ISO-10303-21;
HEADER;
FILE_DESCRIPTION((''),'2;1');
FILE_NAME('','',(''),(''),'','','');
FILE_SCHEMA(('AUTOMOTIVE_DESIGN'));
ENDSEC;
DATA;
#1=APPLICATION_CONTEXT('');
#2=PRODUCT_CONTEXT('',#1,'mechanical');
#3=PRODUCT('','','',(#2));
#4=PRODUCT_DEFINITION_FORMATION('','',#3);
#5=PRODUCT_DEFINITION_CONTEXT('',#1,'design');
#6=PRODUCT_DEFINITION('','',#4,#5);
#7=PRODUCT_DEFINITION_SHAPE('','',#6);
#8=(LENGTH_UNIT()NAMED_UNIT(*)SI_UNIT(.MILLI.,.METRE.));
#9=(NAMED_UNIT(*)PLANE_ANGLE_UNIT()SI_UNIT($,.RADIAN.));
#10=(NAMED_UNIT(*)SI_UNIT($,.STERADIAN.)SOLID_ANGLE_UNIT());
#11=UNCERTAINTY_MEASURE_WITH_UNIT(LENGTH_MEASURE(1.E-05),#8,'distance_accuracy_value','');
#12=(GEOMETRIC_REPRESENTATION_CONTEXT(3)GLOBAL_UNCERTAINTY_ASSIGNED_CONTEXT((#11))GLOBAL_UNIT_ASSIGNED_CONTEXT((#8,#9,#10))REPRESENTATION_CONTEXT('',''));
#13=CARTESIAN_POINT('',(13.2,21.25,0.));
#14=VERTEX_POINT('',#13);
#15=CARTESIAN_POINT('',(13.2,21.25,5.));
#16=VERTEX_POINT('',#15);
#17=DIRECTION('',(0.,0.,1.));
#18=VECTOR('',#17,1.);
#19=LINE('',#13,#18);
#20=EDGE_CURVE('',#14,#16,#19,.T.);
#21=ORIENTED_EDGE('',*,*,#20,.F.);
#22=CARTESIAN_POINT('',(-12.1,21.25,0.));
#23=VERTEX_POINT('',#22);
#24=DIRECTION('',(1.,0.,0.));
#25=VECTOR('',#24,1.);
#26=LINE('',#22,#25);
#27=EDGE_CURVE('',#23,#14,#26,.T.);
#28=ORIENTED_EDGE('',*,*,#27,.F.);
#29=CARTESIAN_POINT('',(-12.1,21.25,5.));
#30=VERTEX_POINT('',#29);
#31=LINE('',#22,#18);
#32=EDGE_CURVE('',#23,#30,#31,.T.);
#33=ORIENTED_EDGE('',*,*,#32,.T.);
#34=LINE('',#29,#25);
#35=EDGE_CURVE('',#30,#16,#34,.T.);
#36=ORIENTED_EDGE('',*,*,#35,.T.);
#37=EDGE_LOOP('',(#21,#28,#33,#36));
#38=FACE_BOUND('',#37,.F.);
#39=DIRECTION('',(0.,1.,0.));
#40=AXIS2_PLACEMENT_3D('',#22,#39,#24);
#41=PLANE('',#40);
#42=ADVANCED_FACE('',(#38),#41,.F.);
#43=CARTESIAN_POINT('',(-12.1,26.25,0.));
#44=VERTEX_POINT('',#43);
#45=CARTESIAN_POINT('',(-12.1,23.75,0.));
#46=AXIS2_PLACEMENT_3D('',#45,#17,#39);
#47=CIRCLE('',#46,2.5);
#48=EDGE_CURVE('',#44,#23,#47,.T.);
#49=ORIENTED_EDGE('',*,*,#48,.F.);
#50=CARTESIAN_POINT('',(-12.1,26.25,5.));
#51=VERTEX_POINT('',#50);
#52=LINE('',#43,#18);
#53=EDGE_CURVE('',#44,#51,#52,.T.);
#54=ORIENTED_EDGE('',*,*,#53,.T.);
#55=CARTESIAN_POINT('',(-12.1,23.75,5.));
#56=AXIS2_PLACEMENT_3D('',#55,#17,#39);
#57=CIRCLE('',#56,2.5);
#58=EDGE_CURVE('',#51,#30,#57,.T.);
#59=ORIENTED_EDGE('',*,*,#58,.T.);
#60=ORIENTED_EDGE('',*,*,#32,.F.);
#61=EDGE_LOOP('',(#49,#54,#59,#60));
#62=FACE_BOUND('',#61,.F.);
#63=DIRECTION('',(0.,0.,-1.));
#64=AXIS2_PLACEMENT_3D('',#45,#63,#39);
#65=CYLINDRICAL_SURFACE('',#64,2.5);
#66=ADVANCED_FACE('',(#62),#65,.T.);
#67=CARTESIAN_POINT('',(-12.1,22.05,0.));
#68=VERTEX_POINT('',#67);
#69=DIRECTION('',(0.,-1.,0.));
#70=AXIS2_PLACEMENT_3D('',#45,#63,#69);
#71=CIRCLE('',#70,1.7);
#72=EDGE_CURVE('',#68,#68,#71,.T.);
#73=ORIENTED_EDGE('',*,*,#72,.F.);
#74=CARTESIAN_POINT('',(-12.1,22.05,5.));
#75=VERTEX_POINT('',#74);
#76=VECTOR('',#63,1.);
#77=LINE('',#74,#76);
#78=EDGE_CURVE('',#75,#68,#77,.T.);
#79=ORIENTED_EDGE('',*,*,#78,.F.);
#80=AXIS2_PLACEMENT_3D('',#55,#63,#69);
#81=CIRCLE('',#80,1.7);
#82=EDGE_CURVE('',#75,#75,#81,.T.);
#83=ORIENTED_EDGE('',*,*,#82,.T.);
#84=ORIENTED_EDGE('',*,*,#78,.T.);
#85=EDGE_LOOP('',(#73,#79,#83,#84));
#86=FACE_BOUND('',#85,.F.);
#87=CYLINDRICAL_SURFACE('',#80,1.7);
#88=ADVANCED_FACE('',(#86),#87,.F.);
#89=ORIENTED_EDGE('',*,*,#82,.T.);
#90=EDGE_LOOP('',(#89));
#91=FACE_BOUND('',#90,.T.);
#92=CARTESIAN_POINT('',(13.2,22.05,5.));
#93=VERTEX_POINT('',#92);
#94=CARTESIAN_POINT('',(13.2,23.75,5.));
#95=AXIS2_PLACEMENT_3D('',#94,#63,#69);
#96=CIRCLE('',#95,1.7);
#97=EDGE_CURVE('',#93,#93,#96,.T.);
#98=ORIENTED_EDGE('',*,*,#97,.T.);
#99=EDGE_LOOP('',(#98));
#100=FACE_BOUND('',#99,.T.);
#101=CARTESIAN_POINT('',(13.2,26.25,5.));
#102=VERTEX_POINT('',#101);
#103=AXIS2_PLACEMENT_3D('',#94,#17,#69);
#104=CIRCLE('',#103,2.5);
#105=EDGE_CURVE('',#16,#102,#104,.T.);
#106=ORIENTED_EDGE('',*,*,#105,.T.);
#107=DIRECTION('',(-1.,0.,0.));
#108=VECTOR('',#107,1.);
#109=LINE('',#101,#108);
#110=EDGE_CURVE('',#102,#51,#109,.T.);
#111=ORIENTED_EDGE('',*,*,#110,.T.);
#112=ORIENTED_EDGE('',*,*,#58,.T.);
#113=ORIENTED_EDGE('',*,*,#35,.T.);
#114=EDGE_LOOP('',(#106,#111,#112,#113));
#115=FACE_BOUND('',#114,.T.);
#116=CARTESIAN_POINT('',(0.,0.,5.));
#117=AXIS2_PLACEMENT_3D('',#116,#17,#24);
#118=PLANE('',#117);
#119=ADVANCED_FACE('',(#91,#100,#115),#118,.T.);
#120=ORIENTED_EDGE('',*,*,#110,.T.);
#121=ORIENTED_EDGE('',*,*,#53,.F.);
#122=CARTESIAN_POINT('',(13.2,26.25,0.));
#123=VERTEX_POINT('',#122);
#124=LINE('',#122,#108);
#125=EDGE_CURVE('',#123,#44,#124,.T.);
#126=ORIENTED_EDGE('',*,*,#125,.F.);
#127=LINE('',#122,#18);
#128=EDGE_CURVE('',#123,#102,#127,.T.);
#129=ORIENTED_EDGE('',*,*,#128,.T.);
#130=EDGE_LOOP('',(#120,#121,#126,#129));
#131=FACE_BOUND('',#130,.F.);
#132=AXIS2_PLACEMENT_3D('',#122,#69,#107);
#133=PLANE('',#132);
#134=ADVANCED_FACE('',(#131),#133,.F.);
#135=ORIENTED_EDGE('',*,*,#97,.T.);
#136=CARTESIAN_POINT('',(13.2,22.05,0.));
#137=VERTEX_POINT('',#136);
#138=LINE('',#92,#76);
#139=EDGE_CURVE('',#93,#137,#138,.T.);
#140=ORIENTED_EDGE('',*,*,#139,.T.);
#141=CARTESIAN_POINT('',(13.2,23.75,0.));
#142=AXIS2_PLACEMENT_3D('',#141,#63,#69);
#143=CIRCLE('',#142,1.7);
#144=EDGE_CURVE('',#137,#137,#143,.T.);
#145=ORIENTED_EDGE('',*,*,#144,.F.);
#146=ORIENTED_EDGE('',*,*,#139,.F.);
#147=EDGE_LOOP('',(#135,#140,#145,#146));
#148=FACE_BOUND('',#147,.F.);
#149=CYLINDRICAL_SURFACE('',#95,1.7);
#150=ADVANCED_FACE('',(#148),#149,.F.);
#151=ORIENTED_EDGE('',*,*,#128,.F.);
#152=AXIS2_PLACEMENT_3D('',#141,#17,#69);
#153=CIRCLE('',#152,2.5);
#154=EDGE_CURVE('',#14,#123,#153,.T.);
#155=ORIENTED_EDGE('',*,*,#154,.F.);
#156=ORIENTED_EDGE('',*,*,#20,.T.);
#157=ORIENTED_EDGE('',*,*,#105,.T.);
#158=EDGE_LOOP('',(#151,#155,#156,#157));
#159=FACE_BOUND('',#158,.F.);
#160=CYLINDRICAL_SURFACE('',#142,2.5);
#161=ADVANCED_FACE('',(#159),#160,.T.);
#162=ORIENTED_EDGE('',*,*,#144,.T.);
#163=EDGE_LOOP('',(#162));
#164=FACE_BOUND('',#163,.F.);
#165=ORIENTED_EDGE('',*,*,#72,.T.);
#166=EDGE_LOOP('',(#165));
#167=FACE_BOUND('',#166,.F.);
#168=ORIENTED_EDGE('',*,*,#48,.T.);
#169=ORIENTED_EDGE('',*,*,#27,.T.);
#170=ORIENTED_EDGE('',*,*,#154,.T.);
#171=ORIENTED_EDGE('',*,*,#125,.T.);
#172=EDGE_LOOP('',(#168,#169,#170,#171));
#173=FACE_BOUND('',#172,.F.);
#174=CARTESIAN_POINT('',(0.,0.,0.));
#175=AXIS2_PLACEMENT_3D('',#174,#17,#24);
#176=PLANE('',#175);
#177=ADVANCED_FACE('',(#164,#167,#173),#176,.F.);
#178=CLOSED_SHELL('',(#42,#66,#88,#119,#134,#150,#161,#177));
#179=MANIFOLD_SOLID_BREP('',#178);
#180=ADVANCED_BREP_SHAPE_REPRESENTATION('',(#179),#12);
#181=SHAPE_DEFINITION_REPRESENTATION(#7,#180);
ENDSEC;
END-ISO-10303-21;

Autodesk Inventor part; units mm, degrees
ref_plane "YZ Plane" through (0, 0, 0) normal (1, 0, 0) x (0, 1, 0)
ref_plane "XZ Plane" through (0, 0, 0) normal (0, 1, 0) x (-1, 0, 0)
ref_plane "XY Plane" through (0, 0, 0) normal (0, 0, 1) x (1, 0, 0)
ref_plane "Work Plane1" through (0, 0, 0) normal (0, 0, 1) x (1, 0, 0)
sketch "Sketch1" plane through (0, 0, 0) normal (0, 0, 1) x (1, 0, 0)
  circle A0 centre (-12.1, 23.75) radius 2.15 construction
  circle A1 centre (13.2, 23.75) radius 2.15 construction
  circle A2 centre (-12.1, 31.75) radius 2.15 construction
  circle A3 centre (13.2, 31.75) radius 2.15 construction
  line L0 (-12.1, 23.75) -> (13.2, 23.75) construction
  line L1 (-12.1, 21.25) -> (13.2, 21.25)
  line L2 (13.2, 26.25) -> (-12.1, 26.25)
  arc A4 (-12.1, 26.25) -> (-12.1, 21.25) centre (-12.1, 23.75) ccw
  arc A5 (13.2, 21.25) -> (13.2, 26.25) centre (13.2, 23.75) ccw
  point P0 (0, 0)
  point P1 (0.55, 23.75)
  dimension "d0" = 5
extrude "Extrusion1" add sketch "Sketch1" along normal blind 5
sketch "Sketch2" plane through (0, 0, 5) normal (0, 0, 1) x (1, 0, 0)
  arc A0 (13.2, 21.25) -> (13.2, 26.25) centre (13.2, 23.75) ccw construction
  line L0 (13.2, 26.25) -> (-12.1, 26.25) construction
  arc A1 (-12.1, 26.25) -> (-12.1, 21.25) centre (-12.1, 23.75) ccw construction
  line L1 (-12.1, 21.25) -> (13.2, 21.25) construction
  point P0 (0, 0)
hole "Hole1" at (13.2, 23.75, 5) at (-12.1, 23.75, 5) direction (0, 0, -1) diameter 3.4 depth 7 clearance for "Countersunk Flat Head Screw DIN EN ISO 2009" size "M3" standard "DIN"
properties part number "TinyBeltClamp"
